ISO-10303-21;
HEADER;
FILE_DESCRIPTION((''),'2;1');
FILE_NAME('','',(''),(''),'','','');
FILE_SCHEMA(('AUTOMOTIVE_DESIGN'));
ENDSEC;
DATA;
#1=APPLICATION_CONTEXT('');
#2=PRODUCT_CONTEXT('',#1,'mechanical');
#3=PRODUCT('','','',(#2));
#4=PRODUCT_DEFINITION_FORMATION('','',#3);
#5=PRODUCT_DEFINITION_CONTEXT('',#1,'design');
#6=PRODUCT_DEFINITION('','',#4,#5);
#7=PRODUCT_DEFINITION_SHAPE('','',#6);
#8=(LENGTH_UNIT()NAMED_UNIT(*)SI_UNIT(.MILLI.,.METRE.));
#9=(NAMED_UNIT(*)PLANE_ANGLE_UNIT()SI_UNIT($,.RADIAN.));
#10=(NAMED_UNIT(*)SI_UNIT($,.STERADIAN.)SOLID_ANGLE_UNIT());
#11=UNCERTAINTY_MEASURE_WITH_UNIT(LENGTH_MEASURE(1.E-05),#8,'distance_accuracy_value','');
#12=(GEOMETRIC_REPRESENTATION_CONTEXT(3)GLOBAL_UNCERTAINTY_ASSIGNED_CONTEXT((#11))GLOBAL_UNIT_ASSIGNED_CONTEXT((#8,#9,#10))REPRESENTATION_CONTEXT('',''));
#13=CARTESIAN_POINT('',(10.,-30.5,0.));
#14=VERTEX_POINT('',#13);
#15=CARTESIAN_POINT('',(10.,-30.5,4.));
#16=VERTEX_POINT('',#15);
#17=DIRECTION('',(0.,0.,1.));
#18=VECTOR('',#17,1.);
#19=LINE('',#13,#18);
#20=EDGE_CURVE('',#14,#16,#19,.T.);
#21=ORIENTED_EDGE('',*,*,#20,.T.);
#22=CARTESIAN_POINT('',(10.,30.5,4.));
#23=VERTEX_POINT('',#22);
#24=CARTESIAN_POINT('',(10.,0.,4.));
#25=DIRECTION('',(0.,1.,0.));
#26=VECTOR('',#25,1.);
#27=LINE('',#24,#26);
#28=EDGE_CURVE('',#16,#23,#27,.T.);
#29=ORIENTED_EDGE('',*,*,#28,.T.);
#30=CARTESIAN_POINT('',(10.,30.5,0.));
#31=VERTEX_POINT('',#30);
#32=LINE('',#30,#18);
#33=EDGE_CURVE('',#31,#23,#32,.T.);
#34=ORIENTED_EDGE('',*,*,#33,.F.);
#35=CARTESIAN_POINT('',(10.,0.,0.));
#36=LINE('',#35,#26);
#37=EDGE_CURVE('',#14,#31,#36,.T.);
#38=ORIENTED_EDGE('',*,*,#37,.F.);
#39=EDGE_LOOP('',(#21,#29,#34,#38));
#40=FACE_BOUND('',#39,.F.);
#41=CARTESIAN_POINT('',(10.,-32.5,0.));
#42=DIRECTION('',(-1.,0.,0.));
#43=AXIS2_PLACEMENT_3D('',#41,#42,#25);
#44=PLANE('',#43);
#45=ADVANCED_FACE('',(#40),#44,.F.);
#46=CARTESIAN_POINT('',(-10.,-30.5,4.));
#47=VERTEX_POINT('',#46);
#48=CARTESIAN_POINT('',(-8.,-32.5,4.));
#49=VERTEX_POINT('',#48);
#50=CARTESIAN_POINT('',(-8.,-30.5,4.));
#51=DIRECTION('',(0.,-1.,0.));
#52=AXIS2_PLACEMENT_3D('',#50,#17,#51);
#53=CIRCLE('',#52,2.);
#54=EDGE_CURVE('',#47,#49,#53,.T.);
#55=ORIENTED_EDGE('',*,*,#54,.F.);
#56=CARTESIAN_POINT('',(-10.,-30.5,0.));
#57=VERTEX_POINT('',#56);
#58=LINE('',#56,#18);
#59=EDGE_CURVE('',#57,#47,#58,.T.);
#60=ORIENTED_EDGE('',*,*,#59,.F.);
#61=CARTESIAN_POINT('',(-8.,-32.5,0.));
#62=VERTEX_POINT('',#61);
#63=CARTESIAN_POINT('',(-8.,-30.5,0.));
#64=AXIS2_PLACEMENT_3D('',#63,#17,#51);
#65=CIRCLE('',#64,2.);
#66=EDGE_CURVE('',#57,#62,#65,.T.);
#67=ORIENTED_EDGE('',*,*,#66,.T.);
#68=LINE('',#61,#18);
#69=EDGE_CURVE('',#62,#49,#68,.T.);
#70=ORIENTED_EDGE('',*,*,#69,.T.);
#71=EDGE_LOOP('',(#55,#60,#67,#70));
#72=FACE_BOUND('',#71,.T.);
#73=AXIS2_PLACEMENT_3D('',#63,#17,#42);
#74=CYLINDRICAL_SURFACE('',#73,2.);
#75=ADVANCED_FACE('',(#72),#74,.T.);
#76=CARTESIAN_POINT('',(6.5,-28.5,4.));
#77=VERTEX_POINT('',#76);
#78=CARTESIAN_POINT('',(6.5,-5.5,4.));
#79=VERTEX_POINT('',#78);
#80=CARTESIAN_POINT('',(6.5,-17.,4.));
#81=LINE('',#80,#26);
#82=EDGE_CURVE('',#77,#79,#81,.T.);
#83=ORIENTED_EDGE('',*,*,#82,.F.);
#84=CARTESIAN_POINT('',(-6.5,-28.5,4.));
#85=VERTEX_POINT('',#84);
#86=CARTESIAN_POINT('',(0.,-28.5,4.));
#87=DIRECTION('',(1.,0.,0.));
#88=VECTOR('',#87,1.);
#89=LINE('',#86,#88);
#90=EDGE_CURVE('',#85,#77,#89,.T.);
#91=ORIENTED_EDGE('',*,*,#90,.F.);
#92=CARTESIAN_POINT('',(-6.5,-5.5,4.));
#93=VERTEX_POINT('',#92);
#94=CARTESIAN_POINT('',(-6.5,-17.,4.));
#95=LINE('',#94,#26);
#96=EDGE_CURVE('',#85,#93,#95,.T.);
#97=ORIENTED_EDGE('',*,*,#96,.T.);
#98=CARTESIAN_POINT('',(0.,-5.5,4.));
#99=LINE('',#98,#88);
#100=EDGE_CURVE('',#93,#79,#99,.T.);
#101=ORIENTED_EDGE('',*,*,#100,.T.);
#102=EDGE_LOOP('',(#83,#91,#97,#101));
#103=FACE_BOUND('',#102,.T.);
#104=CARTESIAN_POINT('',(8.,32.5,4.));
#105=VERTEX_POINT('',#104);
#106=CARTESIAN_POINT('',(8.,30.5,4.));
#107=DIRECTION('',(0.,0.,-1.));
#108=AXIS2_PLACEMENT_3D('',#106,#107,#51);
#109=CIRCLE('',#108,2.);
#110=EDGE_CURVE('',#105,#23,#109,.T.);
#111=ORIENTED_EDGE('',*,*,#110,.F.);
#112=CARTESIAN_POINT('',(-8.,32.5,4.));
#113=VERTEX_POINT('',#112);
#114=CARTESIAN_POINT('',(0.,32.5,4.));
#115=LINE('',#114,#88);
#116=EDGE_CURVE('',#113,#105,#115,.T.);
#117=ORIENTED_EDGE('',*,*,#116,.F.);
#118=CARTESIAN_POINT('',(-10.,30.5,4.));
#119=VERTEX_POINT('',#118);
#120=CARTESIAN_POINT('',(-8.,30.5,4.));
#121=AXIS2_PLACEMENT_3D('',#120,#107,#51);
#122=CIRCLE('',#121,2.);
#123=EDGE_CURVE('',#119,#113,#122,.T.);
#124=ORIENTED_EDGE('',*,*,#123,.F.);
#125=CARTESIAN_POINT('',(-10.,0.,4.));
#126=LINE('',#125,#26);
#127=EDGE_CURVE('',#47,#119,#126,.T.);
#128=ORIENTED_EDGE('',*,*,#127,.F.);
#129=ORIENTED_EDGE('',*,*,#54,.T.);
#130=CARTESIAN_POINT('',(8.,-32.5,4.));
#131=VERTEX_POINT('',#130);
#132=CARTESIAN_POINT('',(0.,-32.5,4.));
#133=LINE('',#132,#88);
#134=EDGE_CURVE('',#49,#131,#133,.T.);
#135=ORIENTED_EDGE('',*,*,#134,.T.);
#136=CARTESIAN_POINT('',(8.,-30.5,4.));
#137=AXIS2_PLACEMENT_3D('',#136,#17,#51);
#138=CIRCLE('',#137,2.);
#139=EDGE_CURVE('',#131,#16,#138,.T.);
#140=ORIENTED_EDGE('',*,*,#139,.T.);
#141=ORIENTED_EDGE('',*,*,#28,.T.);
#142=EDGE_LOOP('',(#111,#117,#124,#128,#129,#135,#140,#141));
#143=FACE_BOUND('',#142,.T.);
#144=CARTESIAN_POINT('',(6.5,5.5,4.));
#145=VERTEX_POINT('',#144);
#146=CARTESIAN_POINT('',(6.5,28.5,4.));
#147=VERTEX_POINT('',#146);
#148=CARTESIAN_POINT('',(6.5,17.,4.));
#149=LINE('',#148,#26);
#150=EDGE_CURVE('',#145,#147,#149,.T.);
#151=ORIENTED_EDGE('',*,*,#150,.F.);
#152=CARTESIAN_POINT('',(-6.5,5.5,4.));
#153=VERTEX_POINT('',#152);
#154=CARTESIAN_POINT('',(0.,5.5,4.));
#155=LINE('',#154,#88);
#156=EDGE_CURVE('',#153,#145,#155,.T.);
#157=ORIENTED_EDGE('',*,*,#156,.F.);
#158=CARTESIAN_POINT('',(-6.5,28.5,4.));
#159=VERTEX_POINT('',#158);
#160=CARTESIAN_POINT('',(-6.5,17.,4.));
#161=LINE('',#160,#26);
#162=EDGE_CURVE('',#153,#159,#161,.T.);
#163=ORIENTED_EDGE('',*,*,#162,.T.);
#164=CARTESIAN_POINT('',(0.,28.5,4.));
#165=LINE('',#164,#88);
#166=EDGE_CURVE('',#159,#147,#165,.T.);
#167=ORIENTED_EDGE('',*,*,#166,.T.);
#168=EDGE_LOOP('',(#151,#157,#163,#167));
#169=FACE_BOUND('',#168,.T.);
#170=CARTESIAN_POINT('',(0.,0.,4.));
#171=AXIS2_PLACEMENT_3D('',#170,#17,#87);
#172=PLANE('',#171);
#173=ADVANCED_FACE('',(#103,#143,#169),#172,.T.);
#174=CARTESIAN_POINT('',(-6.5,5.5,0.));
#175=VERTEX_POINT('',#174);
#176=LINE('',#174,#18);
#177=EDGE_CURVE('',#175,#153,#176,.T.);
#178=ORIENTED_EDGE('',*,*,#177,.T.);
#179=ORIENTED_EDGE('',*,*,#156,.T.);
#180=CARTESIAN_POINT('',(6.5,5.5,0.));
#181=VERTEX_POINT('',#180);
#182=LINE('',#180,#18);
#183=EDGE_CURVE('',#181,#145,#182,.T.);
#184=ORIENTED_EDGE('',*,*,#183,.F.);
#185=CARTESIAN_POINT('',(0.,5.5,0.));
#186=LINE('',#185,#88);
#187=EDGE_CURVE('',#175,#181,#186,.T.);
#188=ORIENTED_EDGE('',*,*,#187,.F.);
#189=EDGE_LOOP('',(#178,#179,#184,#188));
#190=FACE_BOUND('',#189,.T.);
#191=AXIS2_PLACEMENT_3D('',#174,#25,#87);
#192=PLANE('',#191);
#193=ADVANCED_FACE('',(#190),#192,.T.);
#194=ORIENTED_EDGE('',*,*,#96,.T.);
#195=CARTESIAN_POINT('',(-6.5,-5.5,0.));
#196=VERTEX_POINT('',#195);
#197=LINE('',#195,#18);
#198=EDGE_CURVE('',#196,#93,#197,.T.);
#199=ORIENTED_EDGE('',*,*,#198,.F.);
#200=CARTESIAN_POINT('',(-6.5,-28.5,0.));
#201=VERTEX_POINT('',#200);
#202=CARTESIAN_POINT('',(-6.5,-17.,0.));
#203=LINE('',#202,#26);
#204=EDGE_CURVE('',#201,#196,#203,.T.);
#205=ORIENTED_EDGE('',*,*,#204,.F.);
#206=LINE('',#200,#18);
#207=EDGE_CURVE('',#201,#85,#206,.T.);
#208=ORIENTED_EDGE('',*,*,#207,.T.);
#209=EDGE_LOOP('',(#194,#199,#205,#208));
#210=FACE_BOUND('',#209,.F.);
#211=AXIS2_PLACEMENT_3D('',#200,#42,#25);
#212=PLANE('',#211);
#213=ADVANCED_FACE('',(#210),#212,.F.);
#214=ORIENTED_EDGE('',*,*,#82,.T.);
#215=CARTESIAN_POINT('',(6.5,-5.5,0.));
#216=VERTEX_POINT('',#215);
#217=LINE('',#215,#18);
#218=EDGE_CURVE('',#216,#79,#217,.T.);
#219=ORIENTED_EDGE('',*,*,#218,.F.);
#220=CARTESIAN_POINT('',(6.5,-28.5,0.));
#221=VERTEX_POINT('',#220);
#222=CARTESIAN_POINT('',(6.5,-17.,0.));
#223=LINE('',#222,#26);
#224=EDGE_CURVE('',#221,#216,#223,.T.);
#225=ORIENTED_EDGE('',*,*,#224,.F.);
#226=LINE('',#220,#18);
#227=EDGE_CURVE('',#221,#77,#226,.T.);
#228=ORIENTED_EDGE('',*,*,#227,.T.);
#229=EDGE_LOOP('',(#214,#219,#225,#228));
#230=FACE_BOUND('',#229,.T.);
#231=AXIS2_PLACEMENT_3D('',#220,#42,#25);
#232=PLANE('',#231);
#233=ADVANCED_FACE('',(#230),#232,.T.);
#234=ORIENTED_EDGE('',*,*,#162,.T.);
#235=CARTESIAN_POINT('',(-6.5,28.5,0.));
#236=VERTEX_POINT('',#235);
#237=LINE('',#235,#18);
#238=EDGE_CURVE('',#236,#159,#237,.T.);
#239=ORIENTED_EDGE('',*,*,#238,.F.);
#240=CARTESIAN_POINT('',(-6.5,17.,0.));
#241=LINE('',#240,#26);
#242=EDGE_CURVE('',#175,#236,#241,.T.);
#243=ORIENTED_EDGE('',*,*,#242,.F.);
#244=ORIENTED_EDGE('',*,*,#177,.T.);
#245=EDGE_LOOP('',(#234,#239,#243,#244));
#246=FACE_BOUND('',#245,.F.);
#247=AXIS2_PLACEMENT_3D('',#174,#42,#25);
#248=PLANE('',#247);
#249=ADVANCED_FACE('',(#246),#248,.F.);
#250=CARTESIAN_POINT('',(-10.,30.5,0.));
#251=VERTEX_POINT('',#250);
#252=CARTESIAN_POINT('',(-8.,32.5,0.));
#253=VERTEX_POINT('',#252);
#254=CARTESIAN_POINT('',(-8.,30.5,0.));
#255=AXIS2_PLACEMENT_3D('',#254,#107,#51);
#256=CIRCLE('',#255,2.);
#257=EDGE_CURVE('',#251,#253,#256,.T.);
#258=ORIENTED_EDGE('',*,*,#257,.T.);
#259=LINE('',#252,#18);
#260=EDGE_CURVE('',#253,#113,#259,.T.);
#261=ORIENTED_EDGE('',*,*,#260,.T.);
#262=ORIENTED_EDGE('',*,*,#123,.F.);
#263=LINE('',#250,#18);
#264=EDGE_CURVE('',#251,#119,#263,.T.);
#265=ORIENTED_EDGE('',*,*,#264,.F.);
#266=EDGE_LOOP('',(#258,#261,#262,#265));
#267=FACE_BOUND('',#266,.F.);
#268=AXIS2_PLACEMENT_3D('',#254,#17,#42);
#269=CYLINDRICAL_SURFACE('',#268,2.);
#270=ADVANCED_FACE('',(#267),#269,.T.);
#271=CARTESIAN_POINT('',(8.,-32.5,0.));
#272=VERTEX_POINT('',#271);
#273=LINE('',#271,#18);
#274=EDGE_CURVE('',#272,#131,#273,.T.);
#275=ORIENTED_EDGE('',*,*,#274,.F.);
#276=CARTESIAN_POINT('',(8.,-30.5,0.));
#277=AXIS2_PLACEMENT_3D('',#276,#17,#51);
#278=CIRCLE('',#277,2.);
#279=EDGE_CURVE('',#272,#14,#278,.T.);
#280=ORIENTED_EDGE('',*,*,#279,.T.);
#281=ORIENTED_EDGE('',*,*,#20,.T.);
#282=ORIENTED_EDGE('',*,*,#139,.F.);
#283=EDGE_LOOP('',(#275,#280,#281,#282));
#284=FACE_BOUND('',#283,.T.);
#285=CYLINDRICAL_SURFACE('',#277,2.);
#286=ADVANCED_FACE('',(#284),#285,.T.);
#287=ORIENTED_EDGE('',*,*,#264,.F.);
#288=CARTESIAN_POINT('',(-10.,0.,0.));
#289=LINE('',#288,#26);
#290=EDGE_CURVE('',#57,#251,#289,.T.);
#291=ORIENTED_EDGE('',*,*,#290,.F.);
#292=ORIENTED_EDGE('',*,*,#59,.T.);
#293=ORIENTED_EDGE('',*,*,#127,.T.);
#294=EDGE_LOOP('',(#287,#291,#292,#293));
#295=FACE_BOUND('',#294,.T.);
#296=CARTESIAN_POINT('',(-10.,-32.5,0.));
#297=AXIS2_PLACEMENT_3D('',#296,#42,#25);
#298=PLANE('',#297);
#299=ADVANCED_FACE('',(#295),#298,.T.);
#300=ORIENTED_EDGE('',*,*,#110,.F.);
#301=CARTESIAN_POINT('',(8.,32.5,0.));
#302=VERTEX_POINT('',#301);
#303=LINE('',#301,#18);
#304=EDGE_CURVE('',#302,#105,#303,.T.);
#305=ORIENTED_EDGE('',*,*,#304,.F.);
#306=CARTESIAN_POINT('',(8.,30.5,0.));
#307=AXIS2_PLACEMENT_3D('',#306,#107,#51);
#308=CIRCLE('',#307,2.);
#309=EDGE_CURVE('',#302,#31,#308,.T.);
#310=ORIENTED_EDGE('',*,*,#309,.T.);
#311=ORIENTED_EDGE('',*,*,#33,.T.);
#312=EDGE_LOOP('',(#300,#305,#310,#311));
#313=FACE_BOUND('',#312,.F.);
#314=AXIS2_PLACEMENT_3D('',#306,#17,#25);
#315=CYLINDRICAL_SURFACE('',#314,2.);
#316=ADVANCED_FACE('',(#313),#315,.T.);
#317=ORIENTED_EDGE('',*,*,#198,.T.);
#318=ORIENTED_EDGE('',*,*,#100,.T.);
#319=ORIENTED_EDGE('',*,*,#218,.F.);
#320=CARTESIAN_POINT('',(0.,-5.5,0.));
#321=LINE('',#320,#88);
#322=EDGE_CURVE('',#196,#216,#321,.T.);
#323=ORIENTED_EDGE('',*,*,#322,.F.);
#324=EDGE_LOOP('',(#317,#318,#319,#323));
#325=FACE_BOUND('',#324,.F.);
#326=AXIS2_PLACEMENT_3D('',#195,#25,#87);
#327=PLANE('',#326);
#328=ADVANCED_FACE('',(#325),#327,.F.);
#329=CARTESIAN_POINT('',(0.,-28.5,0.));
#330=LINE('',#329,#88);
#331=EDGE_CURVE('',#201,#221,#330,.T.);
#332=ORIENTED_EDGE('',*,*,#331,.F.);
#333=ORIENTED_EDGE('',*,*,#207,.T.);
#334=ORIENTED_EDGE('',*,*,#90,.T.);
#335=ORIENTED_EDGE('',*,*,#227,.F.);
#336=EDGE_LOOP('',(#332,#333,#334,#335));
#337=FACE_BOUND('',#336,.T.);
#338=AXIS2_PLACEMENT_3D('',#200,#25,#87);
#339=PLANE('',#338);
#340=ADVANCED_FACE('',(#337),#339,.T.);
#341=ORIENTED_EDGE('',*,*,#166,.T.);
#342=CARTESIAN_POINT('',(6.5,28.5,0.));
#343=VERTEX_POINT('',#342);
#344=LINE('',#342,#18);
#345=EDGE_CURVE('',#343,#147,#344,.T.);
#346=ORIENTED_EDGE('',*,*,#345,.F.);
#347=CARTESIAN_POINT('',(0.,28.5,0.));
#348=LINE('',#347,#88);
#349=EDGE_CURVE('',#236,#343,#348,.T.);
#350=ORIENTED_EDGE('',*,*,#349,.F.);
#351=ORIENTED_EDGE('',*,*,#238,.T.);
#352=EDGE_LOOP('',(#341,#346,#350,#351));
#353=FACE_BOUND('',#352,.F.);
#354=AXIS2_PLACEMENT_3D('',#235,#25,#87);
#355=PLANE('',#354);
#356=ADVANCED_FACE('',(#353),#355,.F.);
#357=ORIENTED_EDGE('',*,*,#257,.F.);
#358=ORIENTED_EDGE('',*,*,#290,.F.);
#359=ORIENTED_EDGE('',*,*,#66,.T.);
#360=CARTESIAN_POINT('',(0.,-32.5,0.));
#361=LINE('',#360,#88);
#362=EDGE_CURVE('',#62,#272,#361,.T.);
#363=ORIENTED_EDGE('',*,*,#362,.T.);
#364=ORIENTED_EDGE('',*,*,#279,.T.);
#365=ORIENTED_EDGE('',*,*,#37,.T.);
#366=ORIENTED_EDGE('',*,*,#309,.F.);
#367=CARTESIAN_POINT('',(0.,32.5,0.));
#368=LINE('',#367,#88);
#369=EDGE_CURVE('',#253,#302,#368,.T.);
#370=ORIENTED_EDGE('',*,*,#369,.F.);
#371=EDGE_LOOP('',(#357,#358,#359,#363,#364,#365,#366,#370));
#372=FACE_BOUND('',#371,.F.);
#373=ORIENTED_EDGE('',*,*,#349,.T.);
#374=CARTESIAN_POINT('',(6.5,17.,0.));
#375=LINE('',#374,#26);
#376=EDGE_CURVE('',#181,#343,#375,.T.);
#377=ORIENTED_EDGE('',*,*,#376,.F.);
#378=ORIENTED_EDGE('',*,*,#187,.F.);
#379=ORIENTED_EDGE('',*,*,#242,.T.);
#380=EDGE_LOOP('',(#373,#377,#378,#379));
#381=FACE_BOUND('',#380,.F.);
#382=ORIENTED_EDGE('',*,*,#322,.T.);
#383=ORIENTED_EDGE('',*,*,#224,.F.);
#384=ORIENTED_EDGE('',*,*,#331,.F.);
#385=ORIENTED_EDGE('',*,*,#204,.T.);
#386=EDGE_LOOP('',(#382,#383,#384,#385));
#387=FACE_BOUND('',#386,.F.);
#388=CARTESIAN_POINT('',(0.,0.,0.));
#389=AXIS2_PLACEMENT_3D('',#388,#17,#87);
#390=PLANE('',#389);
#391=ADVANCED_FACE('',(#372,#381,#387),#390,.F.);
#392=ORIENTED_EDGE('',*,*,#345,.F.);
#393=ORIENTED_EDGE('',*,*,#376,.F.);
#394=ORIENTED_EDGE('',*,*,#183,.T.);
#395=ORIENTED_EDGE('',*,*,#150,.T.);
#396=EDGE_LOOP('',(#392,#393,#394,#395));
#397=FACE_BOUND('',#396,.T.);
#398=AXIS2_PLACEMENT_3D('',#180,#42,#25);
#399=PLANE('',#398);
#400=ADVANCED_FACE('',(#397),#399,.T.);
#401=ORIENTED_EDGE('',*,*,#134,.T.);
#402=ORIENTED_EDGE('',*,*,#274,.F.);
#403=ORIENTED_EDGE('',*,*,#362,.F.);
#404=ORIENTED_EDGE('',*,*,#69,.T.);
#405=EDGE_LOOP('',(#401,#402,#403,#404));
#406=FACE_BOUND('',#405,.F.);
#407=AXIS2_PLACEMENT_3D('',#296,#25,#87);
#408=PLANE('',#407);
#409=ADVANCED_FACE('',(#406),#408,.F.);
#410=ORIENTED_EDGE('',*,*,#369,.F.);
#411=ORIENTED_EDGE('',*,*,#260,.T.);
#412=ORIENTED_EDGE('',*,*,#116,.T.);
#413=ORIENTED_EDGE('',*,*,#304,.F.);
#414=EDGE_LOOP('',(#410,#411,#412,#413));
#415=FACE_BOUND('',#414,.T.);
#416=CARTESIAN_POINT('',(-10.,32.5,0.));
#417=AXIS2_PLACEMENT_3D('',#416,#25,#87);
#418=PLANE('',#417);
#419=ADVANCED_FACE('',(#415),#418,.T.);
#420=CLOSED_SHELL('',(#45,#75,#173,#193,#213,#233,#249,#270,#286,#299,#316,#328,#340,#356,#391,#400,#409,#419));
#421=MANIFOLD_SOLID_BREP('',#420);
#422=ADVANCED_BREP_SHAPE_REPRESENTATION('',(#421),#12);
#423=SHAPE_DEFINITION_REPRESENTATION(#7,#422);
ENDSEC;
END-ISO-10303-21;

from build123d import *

# Parameters (mm, degrees)
F0_W     = 20
F0_H     = 65
F0_W_2   = 13
F0_H_2   = 23
F1_DEPTH = 4
F2_R     = 2


with BuildPart() as f1:
    # F0 (on Top) → F1 (new body)
    with BuildSketch(Plane.XY):
        Rectangle(F0_W, F0_H)
        with Locations((0, -17)):
            Rectangle(F0_W_2, F0_H_2, mode=Mode.SUBTRACT)
        with Locations((0, 17)):
            Rectangle(F0_W_2, F0_H_2, mode=Mode.SUBTRACT)
    extrude(amount=F1_DEPTH)

    # F2
    f2_edges = [f1.edges().sort_by_distance(p)[0] for p in [
        (-10, -32.5, 2),
        (10, -32.5, 2),
        (-10, 32.5, 2),
        (10, 32.5, 2),
    ]]
    fillet(f2_edges, radius=F2_R)


solid = f1.part
